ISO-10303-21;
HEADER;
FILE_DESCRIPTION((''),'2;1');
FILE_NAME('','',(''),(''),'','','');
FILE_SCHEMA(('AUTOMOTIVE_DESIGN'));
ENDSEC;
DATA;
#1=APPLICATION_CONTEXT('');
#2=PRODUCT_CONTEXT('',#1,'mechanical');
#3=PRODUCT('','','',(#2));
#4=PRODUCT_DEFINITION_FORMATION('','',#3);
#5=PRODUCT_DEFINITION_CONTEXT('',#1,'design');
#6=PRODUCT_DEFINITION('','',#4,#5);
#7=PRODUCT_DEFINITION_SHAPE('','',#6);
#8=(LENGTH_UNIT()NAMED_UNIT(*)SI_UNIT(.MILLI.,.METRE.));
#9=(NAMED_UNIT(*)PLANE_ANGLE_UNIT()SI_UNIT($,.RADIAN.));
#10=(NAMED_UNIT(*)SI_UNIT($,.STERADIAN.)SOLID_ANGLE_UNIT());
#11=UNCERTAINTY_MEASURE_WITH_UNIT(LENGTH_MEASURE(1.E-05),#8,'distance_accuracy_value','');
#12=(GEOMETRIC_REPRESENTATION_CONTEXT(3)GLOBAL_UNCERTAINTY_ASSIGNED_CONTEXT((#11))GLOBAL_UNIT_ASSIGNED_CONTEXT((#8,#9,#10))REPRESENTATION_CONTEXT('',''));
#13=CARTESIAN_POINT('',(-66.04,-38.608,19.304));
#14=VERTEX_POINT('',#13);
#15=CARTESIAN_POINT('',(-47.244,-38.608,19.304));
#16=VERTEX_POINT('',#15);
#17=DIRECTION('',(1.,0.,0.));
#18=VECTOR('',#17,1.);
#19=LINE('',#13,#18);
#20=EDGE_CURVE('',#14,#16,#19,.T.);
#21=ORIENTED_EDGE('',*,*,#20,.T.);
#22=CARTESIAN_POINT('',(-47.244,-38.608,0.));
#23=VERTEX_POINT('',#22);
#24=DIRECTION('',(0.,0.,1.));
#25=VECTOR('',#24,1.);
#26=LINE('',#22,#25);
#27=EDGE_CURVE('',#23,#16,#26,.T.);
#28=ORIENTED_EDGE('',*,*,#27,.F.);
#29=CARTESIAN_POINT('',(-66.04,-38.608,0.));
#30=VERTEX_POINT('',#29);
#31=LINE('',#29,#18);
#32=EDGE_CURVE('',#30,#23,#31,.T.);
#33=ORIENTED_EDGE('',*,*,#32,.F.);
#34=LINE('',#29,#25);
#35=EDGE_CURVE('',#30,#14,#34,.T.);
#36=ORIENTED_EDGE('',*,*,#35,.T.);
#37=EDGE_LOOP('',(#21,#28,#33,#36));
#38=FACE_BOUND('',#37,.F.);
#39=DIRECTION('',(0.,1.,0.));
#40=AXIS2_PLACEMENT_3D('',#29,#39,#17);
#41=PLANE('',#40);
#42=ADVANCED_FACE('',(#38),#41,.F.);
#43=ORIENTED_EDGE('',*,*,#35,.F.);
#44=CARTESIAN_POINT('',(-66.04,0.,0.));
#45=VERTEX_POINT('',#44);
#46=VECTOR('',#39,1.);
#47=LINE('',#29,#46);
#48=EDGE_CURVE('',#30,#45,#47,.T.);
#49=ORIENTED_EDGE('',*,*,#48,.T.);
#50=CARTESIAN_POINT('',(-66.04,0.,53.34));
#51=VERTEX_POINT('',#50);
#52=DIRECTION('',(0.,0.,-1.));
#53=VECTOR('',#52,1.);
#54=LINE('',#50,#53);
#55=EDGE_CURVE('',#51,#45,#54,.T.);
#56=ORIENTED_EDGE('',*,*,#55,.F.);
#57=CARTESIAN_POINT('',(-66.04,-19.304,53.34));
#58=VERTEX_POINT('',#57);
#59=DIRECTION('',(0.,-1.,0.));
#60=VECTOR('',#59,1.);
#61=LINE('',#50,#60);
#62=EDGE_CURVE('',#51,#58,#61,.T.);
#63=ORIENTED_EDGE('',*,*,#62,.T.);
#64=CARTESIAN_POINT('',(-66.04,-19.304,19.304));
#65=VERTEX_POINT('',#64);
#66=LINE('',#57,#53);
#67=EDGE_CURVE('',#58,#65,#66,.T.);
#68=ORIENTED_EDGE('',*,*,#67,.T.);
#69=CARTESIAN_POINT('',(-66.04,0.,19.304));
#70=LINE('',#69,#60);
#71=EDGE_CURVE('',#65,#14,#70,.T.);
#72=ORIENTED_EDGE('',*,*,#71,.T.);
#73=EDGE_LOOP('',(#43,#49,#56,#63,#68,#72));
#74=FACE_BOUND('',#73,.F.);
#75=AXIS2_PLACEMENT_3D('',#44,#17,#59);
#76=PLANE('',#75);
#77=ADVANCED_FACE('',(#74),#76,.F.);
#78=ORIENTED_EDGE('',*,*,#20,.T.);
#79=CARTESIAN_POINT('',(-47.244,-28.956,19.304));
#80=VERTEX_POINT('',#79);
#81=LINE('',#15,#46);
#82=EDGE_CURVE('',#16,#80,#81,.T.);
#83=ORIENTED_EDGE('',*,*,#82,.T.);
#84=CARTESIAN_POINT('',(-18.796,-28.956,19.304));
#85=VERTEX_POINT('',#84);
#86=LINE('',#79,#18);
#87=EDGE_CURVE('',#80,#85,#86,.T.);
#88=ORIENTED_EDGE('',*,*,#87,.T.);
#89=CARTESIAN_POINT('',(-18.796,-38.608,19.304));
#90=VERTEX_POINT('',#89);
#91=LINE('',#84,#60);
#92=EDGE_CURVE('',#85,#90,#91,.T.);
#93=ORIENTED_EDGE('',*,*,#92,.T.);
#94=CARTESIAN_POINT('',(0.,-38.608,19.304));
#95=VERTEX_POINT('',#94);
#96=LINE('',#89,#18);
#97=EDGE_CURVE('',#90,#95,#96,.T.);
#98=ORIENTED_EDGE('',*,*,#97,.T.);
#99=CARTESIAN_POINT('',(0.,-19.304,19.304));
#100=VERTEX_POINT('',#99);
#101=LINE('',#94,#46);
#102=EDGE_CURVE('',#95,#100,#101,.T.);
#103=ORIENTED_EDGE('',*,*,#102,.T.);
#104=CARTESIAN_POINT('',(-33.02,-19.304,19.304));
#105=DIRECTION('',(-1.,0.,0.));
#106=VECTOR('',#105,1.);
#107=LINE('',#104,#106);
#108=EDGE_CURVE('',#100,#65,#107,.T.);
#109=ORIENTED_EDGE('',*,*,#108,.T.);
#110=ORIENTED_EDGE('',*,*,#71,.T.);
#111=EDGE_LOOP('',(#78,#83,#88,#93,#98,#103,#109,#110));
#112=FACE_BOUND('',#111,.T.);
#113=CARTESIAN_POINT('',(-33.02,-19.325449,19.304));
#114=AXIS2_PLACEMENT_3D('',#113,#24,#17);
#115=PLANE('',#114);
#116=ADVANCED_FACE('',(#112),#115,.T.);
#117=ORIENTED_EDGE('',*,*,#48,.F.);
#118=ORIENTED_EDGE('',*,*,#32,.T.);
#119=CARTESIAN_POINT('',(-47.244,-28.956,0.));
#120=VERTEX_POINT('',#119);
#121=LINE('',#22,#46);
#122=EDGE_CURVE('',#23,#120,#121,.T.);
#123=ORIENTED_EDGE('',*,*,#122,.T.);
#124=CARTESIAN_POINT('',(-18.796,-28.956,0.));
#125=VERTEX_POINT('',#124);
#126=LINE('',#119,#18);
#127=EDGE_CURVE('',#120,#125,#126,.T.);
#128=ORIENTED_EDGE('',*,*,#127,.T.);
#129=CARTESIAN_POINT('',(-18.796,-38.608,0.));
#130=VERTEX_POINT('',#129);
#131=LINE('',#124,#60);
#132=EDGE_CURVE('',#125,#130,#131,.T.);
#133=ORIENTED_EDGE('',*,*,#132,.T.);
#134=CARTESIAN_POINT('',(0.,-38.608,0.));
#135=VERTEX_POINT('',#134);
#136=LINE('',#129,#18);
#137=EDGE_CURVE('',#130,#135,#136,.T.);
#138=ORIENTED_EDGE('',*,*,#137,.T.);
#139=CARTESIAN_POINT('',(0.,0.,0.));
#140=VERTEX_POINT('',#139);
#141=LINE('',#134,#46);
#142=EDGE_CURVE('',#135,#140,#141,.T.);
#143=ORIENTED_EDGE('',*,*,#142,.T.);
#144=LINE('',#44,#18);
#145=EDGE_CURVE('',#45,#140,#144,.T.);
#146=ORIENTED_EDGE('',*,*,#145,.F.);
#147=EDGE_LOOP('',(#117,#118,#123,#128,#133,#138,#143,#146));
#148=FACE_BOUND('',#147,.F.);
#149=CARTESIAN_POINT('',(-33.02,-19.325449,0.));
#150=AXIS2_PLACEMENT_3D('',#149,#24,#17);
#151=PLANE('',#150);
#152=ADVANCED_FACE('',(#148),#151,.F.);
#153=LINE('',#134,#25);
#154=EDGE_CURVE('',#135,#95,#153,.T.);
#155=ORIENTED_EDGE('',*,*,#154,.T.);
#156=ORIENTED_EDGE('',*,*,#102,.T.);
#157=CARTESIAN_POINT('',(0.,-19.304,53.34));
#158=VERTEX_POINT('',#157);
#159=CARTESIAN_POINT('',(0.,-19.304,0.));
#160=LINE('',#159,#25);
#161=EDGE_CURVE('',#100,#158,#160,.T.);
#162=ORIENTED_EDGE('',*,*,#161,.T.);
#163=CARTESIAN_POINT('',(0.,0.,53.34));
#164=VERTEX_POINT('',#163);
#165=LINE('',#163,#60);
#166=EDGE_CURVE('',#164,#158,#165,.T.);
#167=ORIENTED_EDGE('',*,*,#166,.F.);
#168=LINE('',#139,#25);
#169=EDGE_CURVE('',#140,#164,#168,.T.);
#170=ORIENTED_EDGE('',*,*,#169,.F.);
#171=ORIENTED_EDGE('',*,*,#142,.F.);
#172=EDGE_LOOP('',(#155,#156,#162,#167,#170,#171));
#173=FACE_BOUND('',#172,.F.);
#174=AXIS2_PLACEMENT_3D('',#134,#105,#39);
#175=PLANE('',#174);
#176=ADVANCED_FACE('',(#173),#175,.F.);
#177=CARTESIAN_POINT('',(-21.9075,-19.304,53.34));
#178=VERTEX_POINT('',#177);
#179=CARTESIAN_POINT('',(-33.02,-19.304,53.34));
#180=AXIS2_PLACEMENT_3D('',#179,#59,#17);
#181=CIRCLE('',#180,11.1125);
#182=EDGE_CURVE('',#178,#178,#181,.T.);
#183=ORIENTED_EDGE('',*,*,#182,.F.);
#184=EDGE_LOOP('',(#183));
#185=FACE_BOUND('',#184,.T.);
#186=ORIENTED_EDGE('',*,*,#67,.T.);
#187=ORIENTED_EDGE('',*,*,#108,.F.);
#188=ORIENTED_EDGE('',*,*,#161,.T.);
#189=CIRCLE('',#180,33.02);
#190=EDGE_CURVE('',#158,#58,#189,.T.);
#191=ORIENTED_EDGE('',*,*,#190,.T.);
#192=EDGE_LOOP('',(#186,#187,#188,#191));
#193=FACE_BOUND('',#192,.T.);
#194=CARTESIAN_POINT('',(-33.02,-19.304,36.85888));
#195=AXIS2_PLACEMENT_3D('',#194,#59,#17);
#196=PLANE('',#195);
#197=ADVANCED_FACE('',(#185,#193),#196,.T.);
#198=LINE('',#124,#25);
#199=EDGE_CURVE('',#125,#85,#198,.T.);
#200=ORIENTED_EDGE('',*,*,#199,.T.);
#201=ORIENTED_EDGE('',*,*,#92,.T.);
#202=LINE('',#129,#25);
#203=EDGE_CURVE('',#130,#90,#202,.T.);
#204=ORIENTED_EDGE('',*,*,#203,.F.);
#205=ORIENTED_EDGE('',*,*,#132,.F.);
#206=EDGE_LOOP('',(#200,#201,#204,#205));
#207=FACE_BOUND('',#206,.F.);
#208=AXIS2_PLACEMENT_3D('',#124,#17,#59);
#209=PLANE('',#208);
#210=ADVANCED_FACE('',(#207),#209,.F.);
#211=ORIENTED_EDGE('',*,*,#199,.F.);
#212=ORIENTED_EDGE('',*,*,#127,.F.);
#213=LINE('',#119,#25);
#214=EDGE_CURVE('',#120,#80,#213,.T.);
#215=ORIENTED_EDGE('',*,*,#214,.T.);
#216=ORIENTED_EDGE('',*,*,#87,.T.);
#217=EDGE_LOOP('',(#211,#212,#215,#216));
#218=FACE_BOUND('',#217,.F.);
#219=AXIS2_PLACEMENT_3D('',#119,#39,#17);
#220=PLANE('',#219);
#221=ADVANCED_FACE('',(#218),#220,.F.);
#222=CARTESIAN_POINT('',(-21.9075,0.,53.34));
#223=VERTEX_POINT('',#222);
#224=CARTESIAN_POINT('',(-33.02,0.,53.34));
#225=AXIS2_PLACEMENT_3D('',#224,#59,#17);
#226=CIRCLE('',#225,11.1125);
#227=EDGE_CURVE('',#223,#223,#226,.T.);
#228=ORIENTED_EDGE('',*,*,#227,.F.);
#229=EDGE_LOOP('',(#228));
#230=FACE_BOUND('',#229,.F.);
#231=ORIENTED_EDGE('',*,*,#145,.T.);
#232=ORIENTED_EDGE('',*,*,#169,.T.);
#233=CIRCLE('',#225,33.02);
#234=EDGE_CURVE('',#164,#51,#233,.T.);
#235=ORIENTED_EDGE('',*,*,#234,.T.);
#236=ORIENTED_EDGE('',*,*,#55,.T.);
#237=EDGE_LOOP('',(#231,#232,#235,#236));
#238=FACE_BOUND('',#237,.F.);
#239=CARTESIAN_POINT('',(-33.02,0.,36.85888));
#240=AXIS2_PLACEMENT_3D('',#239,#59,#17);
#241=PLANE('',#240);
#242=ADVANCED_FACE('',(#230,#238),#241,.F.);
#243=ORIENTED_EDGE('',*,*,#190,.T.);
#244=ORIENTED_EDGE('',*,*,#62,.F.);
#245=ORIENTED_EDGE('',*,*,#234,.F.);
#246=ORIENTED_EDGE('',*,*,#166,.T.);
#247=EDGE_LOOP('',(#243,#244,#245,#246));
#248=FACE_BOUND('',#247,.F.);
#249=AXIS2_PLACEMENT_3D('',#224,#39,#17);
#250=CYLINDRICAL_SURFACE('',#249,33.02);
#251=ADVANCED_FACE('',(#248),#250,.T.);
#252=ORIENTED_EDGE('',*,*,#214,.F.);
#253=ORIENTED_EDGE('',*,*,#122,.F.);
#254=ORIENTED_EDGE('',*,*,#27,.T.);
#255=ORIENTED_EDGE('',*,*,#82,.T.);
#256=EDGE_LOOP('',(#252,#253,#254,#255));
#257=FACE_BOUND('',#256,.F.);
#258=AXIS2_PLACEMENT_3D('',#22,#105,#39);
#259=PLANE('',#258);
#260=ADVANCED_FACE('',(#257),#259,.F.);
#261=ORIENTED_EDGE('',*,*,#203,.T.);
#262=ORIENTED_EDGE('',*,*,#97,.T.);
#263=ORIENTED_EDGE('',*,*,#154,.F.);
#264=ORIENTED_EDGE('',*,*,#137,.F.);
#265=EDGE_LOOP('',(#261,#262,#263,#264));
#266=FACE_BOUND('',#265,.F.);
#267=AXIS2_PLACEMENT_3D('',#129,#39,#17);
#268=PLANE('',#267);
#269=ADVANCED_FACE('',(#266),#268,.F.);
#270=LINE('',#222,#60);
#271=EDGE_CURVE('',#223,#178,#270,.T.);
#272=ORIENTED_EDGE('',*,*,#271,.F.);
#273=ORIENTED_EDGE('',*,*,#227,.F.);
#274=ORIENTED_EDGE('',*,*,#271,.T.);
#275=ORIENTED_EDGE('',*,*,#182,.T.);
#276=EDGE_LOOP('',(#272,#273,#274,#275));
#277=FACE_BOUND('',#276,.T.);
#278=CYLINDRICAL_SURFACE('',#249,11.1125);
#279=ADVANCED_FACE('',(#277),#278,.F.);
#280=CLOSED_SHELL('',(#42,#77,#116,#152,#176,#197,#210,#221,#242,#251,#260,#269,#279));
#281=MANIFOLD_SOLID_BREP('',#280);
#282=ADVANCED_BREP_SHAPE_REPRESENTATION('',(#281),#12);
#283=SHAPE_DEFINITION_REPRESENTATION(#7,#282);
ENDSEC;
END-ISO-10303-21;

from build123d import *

# Parameters (mm, degrees)
F0_R     = 11.1125
F1_DEPTH = 19.304
F3_DEPTH = 19.304


with BuildPart() as f1:
    # F0 (on Front) → F1 (new body)
    with BuildSketch(Plane.XZ):
        with BuildLine():
            Line((-66.04, 0), (0, 0))
            Line((0, 0), (0, 53.34))
            ThreePointArc((0, 53.34), (-33.02, 86.36), (-66.04, 53.34))
            Line((-66.04, 53.34), (-66.04, 0))
        make_face()
        with Locations((-33.02, 53.34)):
            Circle(F0_R, mode=Mode.SUBTRACT)
    extrude(amount=F1_DEPTH)

    # F2 (on Top) → F3 (join)
    with BuildSketch(Plane.XY):
        Polygon((0, -38.608), (0, 0), (-66.04, 0), (-66.04, -38.608), (-47.244, -38.608), (-47.244, -28.956), (-18.796, -28.956), (-18.796, -38.608), align=None)
    extrude(amount=F3_DEPTH)


solid = f1.part
